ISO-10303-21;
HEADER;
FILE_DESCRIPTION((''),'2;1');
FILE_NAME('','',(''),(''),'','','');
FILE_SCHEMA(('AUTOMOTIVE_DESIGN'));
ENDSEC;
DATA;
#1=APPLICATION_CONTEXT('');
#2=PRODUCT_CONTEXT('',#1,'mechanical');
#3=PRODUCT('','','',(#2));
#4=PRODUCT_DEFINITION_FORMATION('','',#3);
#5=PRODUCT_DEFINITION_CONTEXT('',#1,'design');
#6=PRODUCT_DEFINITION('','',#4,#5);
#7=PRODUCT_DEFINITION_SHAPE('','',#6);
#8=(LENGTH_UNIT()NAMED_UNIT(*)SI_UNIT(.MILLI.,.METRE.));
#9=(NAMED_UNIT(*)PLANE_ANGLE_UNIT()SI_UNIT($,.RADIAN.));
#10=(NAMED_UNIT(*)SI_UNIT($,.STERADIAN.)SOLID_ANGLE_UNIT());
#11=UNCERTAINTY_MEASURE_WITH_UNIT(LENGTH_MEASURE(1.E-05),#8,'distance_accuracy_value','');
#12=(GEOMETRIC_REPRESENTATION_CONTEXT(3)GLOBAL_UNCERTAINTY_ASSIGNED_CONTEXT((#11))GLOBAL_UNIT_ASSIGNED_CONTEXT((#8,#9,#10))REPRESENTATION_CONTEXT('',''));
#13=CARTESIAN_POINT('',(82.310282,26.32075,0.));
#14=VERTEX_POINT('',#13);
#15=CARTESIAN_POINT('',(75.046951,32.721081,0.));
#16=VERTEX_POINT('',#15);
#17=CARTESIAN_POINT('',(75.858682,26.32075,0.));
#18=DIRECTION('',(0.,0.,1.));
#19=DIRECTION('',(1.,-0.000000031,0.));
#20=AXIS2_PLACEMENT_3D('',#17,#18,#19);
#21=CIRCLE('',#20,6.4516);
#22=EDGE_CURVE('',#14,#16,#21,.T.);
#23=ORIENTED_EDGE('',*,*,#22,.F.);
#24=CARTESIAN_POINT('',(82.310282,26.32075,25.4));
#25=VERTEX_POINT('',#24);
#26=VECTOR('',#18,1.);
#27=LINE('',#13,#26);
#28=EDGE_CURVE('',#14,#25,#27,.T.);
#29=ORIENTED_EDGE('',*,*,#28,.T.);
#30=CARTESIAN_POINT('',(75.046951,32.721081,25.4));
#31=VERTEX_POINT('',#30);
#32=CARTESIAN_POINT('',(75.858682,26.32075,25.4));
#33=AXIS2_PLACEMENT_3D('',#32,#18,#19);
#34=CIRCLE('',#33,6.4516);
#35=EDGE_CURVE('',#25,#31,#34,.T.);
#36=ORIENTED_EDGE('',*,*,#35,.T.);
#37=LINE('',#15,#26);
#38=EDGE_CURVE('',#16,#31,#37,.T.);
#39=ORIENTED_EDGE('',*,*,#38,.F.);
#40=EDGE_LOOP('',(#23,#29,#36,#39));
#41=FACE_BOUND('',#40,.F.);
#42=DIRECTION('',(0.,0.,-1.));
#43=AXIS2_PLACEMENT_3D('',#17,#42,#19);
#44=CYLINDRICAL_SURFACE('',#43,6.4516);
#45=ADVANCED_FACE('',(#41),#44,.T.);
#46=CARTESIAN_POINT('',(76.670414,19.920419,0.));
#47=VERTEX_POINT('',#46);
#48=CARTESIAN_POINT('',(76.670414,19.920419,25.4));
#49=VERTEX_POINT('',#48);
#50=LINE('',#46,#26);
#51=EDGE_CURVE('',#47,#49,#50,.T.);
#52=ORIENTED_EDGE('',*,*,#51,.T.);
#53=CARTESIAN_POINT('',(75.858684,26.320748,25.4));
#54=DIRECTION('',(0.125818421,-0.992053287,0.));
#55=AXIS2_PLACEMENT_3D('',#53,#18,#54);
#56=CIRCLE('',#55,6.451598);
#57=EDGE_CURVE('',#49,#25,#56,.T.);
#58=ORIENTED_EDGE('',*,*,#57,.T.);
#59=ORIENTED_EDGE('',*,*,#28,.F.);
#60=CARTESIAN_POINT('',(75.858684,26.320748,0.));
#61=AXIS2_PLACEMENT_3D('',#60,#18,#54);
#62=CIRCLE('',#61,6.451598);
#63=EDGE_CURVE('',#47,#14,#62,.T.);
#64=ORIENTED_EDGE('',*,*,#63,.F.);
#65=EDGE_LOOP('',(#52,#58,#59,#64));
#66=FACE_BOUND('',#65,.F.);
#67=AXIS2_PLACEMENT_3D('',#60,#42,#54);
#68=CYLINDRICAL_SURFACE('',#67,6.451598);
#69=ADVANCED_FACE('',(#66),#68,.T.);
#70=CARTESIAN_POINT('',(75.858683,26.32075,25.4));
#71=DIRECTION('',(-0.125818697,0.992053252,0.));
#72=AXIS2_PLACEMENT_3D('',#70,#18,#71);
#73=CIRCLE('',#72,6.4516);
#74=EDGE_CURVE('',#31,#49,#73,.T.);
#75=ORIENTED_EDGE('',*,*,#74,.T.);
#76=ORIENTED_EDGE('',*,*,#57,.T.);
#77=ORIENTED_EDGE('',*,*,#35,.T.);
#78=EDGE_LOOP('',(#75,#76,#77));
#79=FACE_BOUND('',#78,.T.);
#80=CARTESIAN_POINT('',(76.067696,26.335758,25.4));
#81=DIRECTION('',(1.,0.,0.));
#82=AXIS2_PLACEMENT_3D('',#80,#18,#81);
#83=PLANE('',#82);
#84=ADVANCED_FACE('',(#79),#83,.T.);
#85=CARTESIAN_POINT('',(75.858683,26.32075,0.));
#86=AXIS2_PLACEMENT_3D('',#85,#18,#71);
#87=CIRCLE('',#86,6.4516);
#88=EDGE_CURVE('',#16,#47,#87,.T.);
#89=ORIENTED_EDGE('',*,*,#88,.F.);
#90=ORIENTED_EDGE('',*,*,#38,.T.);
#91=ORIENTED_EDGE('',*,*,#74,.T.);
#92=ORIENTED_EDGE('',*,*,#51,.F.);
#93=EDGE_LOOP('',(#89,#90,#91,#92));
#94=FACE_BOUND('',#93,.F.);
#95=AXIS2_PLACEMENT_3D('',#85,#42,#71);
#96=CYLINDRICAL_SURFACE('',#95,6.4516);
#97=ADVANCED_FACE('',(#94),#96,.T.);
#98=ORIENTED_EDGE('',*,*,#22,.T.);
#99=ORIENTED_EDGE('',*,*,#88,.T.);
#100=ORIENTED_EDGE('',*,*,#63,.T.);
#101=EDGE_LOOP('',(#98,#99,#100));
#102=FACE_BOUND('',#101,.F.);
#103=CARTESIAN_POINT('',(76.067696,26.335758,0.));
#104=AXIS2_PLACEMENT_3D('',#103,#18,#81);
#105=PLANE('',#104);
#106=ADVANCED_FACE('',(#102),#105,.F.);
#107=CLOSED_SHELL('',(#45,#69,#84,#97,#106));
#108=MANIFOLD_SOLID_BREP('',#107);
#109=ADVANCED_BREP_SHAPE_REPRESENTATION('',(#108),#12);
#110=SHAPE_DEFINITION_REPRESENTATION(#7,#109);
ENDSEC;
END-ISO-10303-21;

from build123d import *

# Parameters (mm, degrees)
F1_DEPTH = 25.4


with BuildPart() as f1:
    # F0 (on Top) → F1 (new body)
    with BuildSketch(Plane.XY):
        with BuildLine():
            ThreePointArc((82.310282, 26.32075), (80.124018, 31.16121), (75.046951, 32.721081))
            ThreePointArc((75.046951, 32.721081), (69.458352, 25.509018), (76.670414, 19.920419))
            ThreePointArc((76.670414, 19.920419), (80.699143, 22.055414), (82.310282, 26.32075))
        make_face()
    extrude(amount=F1_DEPTH)


solid = f1.part
